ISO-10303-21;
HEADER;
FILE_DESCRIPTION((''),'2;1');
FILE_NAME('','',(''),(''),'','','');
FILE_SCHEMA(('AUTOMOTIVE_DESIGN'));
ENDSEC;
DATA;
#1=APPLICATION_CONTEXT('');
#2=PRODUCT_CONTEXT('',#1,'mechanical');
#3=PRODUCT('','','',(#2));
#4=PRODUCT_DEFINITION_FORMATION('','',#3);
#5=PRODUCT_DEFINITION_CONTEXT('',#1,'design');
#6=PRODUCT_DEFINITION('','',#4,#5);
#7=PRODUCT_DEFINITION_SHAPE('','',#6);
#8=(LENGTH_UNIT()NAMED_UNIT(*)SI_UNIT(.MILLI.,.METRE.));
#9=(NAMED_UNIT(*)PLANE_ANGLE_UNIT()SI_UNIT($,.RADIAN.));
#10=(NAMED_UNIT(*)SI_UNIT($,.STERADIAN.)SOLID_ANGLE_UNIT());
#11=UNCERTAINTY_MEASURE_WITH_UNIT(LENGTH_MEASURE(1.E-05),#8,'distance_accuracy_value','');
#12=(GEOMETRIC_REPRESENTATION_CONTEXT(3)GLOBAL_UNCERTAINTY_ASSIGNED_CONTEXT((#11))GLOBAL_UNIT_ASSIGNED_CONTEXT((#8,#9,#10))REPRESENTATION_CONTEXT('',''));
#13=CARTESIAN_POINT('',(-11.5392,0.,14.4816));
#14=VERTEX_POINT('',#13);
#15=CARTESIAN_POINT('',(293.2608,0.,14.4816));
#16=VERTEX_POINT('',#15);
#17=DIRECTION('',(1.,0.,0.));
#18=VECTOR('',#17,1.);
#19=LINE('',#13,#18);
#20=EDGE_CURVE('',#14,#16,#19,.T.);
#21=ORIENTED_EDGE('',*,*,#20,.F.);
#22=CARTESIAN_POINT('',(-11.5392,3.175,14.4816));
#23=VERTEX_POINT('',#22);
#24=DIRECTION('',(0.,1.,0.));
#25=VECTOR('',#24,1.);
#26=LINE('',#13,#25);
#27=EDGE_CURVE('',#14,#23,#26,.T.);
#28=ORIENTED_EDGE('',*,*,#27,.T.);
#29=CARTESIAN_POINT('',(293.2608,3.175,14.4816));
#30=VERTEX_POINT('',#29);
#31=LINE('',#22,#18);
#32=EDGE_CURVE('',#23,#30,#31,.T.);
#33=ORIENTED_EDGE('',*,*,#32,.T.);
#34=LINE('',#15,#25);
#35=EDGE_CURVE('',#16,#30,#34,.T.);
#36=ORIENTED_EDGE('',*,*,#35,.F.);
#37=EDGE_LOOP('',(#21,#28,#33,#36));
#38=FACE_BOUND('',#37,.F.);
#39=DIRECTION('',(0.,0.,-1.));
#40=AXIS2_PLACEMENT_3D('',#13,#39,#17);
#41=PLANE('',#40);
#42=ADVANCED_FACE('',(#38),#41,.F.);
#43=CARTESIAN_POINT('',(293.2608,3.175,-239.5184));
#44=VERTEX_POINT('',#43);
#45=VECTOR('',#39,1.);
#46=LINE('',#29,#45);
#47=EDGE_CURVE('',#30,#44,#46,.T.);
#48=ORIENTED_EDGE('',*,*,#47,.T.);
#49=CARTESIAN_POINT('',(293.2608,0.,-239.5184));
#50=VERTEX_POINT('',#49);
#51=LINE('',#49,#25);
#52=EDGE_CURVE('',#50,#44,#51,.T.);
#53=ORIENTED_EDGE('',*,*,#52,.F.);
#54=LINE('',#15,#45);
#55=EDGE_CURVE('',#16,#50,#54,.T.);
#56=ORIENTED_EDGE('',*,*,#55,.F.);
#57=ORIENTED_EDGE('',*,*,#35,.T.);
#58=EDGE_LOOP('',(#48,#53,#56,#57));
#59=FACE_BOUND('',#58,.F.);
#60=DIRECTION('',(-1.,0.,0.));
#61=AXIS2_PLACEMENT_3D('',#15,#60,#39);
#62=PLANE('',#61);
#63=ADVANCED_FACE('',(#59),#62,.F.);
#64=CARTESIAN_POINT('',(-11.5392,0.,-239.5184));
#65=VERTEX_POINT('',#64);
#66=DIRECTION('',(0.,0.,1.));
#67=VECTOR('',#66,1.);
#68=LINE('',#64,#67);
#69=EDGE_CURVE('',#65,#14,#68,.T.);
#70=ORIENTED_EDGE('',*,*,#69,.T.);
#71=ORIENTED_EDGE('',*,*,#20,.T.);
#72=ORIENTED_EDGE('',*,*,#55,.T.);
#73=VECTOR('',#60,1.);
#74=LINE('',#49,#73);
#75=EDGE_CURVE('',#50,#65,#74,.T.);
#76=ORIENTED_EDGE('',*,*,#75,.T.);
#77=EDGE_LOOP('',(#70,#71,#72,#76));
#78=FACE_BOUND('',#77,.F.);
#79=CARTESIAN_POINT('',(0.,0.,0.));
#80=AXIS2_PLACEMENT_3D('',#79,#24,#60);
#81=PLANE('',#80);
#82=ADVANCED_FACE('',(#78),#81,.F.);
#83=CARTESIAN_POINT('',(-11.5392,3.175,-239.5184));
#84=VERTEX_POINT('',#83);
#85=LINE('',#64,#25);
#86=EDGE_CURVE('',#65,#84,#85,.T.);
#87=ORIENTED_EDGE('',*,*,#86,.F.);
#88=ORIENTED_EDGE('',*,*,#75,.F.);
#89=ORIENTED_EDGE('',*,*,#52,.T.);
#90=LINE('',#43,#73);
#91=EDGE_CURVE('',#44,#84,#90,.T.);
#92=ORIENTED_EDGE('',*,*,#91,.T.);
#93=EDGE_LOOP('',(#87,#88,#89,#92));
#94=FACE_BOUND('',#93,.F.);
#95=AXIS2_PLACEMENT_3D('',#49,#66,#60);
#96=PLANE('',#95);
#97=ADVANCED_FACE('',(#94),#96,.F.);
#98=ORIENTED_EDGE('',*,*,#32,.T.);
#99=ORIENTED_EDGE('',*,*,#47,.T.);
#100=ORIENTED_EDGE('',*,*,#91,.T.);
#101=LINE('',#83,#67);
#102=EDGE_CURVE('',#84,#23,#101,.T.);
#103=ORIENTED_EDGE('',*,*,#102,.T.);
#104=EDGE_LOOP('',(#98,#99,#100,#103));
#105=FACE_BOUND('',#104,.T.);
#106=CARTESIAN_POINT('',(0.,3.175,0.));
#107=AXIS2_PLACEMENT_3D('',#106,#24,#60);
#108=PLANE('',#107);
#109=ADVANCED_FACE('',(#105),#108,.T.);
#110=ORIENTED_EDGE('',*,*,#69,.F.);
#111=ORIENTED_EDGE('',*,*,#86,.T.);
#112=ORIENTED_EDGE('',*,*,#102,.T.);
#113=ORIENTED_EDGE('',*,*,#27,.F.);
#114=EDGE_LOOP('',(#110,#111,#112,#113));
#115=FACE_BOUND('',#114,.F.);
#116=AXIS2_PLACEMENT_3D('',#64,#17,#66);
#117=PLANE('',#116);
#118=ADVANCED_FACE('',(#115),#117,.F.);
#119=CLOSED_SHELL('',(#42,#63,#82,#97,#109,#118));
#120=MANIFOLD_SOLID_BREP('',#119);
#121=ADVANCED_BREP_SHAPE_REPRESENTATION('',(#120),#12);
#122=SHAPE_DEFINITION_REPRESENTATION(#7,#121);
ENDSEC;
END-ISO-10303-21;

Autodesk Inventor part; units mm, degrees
ref_plane "YZ Plane" through (0, 0, 0) normal (1, 0, 0) x (0, 1, 0)
ref_plane "XZ Plane" through (0, 0, 0) normal (0, 1, 0) x (-1, 0, 0)
ref_plane "XY Plane" through (0, 0, 0) normal (0, 0, 1) x (1, 0, 0)
sketch "Sketch1" plane through (0, 0, 0) normal (0, 1, 0) x (-1, 0, 0)
  line L0 (11.5392, 14.4816) -> (-293.2608, 14.4816)
  line L1 (-293.2608, 14.4816) -> (-293.2608, -239.5184)
  line L2 (-293.2608, -239.5184) -> (11.5392, -239.5184)
  line L3 (11.5392, -239.5184) -> (11.5392, 14.4816)
  point P0 (0, 0)
  dimension "d0" = 304.8
  dimension "d1" = 254
extrude "Extrusion1" add sketch "Sketch1" along normal blind 3.175
properties part number "UpperChassis_Base"
